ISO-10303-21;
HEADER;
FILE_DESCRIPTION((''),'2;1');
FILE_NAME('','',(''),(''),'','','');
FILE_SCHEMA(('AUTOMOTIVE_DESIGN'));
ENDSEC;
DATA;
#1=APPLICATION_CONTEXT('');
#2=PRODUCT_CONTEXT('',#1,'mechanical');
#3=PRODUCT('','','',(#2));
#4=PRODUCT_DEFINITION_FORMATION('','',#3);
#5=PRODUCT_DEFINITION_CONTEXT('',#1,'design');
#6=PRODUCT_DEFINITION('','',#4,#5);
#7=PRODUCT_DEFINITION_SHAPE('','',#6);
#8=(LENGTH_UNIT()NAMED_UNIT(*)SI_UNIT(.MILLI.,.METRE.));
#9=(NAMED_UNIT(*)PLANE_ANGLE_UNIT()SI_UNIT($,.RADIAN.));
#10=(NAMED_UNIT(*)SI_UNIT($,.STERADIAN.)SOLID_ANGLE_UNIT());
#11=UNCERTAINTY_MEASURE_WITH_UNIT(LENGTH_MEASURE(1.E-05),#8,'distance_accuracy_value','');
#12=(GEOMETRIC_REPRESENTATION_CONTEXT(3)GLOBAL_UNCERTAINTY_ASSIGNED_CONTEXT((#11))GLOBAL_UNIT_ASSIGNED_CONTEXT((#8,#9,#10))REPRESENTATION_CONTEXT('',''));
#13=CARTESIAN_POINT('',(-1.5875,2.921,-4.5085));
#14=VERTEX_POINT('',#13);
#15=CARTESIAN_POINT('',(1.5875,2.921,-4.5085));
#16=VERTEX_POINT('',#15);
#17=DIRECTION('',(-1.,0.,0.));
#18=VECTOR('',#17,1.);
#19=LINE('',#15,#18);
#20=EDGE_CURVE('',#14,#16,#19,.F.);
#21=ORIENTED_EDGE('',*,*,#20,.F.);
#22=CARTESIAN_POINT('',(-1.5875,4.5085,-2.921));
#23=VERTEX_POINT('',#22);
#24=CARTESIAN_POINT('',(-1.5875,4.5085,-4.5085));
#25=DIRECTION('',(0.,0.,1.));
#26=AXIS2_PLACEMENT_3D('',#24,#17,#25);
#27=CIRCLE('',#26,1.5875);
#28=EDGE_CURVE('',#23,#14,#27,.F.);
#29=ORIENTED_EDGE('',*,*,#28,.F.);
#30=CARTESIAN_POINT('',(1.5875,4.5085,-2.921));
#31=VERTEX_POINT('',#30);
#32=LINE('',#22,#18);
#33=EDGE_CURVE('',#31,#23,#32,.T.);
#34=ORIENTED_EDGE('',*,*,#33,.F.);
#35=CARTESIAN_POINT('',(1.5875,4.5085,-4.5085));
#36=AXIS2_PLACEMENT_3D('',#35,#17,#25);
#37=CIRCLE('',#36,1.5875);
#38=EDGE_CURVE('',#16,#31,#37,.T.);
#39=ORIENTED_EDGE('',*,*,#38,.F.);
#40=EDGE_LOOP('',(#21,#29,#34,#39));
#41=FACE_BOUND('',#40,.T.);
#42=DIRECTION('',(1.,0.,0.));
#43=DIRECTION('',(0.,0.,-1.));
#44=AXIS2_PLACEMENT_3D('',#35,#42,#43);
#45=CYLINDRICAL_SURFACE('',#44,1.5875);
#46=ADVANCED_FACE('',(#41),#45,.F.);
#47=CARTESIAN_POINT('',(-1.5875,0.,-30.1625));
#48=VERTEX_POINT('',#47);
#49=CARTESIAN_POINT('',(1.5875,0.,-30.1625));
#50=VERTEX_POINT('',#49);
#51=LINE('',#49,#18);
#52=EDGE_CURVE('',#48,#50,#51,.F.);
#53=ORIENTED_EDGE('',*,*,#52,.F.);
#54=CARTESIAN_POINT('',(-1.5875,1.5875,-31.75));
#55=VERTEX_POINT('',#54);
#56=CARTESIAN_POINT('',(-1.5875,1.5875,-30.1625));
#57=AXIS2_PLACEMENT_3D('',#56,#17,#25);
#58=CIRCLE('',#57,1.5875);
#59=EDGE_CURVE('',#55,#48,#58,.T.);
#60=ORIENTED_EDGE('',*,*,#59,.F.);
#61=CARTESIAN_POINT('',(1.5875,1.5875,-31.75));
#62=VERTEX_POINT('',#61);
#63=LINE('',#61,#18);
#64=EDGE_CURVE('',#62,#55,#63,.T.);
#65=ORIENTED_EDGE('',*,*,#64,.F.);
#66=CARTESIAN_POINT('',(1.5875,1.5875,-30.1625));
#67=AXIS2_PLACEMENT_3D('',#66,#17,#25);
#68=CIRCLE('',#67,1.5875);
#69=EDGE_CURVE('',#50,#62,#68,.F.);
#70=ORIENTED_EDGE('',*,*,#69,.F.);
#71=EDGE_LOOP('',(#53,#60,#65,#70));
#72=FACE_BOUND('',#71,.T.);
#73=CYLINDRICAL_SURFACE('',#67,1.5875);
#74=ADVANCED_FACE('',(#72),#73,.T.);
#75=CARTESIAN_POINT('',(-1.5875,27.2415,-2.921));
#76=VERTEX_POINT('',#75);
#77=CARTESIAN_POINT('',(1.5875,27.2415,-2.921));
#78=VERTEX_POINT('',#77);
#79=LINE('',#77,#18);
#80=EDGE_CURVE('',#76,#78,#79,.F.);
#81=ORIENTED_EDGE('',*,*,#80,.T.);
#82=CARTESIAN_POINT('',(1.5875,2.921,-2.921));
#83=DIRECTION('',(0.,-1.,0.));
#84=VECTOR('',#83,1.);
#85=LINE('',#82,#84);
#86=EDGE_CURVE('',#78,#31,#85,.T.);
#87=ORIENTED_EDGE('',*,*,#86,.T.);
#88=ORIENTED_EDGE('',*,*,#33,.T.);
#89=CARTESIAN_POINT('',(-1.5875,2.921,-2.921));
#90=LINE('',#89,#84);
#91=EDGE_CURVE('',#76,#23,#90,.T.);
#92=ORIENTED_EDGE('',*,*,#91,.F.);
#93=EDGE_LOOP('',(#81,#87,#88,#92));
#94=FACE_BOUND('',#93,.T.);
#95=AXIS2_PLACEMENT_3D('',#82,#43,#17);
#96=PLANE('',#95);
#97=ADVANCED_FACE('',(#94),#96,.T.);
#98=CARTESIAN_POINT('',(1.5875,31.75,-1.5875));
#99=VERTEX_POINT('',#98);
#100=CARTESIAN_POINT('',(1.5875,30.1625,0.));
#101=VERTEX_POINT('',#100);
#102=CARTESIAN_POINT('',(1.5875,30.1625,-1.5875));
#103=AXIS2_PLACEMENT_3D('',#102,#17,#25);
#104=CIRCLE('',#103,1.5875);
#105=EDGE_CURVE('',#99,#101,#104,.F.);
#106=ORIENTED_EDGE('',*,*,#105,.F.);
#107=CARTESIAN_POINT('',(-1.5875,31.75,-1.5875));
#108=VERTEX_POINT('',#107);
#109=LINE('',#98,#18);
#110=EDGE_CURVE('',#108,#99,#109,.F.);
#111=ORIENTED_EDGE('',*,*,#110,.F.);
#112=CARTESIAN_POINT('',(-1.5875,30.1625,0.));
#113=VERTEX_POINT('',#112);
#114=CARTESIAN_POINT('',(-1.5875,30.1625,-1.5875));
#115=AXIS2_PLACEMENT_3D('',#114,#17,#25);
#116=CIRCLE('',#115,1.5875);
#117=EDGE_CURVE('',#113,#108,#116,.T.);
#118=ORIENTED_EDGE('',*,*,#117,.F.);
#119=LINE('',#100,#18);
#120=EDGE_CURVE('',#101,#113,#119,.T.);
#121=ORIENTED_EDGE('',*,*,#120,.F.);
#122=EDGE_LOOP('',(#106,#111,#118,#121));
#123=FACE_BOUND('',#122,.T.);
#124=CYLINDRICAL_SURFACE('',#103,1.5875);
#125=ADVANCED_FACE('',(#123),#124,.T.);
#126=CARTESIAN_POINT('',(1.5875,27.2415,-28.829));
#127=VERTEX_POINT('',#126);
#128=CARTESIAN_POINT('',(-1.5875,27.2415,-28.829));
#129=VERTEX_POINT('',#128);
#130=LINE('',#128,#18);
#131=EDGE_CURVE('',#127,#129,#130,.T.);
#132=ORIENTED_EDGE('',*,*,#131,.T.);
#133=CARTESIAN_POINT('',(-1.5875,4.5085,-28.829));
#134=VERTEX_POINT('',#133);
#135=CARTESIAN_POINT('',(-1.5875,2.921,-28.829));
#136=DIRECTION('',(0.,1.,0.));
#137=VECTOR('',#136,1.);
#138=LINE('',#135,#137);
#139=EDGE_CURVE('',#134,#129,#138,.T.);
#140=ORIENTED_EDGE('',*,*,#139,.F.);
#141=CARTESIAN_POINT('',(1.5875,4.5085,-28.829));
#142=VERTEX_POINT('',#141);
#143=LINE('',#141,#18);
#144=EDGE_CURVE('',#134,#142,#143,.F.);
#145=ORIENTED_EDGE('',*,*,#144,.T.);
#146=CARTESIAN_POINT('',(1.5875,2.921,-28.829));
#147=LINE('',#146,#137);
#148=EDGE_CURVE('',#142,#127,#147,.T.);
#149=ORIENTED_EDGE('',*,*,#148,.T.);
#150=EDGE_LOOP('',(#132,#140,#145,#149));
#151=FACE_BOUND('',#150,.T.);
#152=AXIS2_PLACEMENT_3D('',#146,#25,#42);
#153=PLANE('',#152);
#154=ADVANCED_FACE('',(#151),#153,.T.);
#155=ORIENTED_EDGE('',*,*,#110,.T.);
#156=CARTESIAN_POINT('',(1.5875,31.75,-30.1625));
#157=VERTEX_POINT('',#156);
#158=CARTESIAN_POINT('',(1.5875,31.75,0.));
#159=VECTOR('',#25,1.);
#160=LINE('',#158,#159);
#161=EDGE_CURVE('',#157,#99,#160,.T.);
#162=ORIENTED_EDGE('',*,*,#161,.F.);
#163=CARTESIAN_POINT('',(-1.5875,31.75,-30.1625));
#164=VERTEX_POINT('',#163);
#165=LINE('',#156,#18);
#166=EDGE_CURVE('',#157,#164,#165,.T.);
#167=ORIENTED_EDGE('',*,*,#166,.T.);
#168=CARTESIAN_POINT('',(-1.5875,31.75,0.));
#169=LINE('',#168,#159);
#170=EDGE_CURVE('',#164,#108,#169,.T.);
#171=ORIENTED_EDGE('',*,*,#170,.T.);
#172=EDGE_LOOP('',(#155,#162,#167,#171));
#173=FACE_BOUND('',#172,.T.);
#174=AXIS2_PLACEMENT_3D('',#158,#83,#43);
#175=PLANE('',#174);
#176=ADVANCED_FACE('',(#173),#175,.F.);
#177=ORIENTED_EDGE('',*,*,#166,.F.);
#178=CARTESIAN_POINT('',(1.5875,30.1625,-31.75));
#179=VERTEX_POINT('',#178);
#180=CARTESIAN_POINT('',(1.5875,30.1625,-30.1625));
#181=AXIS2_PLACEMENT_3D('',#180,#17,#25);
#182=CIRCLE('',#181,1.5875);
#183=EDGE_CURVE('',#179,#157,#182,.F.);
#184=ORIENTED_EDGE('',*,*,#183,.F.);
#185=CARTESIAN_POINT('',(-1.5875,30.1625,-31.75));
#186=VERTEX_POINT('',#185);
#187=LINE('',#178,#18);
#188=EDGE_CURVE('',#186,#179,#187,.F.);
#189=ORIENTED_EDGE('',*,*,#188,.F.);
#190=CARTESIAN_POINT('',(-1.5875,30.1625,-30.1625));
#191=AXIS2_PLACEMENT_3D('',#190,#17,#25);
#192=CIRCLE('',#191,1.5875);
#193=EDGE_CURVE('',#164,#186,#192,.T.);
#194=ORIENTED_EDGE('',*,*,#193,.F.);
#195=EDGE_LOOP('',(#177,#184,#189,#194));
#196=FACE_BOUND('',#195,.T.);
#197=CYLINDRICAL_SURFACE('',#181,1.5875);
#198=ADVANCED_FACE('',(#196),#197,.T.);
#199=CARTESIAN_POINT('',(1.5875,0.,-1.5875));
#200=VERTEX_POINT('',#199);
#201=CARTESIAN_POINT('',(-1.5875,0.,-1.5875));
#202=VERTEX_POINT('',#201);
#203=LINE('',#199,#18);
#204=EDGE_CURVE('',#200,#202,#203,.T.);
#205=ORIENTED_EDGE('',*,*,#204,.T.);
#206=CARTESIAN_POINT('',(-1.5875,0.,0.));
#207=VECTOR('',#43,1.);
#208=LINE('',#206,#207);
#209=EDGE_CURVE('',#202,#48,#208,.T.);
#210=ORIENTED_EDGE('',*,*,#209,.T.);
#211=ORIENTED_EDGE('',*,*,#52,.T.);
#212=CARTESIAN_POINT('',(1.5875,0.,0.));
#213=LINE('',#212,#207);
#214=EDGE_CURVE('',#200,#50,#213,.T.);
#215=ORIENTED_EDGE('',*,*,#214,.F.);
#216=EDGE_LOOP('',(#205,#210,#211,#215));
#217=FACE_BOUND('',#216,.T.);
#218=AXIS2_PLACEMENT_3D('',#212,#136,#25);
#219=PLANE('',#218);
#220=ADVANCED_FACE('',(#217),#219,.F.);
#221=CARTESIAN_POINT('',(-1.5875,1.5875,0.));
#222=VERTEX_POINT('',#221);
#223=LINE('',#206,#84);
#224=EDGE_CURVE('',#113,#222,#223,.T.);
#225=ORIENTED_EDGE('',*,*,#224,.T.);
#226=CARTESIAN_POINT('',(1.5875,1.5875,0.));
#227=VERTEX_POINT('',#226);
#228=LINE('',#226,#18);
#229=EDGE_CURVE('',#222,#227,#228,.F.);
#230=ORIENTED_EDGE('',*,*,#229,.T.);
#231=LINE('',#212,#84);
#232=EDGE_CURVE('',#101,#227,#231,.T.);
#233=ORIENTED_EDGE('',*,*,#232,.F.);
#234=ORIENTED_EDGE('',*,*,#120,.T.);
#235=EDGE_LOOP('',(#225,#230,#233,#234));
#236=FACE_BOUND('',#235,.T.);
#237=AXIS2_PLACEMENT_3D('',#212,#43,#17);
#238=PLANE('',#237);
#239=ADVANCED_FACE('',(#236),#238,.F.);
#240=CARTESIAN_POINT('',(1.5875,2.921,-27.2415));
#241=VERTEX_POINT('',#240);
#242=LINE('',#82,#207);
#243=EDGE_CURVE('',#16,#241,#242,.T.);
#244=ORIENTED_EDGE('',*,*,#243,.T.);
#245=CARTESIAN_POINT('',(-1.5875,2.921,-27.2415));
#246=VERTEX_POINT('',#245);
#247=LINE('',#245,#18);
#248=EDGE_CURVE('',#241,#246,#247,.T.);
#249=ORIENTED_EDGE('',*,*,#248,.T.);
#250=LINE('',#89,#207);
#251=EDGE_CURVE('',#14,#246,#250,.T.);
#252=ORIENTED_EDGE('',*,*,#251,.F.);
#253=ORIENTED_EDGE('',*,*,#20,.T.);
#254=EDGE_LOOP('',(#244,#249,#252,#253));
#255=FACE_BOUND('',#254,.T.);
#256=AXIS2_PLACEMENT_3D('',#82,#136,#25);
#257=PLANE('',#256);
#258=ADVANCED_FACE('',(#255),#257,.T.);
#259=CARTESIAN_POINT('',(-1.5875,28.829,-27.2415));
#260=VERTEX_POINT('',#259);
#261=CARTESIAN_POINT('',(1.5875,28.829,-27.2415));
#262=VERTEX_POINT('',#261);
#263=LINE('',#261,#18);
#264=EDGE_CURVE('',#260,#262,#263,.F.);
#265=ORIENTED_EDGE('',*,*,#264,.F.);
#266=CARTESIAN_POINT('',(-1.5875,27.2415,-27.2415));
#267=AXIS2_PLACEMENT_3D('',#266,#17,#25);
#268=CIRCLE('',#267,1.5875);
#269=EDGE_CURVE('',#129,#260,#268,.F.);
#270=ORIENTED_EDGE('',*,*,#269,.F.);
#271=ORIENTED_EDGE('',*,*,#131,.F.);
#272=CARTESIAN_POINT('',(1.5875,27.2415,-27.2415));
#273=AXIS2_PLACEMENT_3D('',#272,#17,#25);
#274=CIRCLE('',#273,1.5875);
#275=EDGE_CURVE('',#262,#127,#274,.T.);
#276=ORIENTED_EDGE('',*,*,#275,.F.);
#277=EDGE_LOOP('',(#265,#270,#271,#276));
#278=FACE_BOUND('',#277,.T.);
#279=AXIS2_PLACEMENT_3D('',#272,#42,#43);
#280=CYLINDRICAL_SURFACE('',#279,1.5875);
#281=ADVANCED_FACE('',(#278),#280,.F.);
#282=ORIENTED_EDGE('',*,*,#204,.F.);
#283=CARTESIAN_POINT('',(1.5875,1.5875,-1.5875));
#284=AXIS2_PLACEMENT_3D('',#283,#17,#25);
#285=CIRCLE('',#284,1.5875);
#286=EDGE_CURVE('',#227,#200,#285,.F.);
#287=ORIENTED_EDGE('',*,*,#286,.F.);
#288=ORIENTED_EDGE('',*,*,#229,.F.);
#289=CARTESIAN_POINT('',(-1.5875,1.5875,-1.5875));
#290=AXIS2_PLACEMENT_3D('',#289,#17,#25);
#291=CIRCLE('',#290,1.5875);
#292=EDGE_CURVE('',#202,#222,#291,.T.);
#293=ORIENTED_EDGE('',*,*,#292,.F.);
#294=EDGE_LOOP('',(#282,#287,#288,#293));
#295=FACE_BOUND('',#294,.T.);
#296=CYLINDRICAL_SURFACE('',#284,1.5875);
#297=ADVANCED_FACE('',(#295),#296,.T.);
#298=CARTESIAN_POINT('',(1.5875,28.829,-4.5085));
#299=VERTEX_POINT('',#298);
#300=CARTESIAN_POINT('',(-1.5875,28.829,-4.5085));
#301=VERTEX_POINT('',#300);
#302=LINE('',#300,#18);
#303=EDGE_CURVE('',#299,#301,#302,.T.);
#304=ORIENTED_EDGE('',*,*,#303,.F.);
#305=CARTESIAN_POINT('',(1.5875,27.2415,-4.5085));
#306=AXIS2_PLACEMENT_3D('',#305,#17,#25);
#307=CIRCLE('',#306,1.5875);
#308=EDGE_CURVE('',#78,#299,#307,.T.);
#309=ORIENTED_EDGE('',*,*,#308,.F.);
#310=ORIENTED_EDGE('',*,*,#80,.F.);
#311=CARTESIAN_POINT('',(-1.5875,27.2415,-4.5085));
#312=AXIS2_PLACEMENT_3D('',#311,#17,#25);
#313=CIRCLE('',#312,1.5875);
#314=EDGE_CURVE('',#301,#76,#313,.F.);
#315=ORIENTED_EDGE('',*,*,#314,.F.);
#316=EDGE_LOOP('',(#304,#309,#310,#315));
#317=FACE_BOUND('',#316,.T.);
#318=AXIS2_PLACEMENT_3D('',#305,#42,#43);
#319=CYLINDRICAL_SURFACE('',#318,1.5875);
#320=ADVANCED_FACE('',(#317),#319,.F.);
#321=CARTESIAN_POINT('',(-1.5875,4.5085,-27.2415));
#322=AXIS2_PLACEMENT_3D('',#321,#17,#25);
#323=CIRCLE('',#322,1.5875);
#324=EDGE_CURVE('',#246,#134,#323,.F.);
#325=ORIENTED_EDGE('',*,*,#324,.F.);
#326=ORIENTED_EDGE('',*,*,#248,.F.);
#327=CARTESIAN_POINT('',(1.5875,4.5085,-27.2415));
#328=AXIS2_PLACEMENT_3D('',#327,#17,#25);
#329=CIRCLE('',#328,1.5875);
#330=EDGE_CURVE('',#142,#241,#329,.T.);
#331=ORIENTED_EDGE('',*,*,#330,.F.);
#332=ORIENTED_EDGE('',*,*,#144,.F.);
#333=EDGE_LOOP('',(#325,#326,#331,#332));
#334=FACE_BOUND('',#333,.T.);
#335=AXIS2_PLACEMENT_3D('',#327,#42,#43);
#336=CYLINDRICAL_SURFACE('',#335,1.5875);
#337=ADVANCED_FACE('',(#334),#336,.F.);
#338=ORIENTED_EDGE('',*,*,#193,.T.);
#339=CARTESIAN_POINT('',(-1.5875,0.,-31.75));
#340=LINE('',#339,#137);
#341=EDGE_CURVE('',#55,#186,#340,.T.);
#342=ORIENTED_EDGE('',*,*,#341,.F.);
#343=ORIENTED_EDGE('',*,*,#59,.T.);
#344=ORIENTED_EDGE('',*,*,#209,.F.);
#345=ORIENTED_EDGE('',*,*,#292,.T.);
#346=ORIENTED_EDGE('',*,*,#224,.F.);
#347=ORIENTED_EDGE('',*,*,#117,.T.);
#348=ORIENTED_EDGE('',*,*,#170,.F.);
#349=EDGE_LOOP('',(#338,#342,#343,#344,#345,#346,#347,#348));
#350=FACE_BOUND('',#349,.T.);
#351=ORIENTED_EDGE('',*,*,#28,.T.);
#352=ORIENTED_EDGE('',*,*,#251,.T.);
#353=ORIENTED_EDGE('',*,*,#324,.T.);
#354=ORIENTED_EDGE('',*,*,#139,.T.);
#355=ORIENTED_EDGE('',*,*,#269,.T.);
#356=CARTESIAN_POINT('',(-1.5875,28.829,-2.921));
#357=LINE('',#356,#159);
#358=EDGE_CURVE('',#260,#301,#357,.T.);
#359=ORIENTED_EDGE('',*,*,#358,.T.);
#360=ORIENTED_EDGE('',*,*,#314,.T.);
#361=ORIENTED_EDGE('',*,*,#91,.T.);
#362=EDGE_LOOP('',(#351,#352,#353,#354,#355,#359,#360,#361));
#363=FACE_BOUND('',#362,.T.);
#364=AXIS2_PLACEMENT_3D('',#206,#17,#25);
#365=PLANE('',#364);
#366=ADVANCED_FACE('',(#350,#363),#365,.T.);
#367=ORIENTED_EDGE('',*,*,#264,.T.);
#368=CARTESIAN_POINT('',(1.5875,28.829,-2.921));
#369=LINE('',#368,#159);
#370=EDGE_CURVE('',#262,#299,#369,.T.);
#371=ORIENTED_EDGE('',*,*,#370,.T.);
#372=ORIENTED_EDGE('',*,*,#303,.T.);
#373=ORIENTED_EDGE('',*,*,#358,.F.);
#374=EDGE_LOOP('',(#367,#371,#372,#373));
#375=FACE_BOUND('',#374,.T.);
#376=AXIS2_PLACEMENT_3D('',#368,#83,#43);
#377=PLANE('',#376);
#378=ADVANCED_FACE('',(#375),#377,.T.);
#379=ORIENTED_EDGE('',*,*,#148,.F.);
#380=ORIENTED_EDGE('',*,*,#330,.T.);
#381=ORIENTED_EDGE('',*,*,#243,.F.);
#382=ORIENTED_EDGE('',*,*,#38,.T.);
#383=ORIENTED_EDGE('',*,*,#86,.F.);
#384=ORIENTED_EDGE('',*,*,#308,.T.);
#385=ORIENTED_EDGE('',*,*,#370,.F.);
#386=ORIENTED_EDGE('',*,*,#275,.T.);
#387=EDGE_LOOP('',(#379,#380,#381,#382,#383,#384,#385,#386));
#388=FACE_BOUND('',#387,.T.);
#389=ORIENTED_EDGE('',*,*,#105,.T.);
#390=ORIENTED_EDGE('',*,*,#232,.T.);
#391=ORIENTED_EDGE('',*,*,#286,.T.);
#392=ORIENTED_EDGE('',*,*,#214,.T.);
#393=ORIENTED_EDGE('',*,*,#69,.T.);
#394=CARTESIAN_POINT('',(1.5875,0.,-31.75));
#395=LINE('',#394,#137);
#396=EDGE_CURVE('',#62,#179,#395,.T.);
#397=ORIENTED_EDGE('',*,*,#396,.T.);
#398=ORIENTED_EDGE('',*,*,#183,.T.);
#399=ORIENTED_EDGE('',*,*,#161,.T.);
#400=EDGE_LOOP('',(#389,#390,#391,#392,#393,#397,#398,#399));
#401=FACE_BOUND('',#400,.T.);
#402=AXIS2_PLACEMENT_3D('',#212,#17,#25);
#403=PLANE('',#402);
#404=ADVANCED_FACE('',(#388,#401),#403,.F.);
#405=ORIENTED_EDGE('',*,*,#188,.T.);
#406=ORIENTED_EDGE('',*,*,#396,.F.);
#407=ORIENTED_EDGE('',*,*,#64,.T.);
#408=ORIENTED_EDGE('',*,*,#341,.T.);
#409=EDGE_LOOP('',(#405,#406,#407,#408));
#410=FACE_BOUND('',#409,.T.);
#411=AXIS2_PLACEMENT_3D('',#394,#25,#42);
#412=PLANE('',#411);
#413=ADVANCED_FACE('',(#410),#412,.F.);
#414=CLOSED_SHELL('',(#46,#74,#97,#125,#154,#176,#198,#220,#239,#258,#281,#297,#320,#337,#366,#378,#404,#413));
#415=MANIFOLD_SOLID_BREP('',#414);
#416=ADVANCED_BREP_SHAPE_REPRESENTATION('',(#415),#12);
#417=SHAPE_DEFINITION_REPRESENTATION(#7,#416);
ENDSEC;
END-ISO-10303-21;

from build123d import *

# Parameters (mm, degrees)
SKETCH1_W           = 31.75
SKETCH1_H           = 31.75
SKETCH1_W_2         = 25.908
SKETCH1_H_2         = 25.908
BOSS_EXTRUDE1_DEPTH = 1.5875
FILLET1_R           = 1.5875


with BuildPart() as part:
    # Sketch1 → Boss-Extrude1 (new, symmetric)
    with BuildSketch(Plane(origin=(0, 0, 0), x_dir=(0, 0, -1), z_dir=(1, 0, 0))):
        with Locations((15.875, 15.875)):
            Rectangle(SKETCH1_W, SKETCH1_H)
        with Locations((15.875, 15.875)):
            Rectangle(SKETCH1_W_2, SKETCH1_H_2, mode=Mode.SUBTRACT)
    extrude(amount=BOSS_EXTRUDE1_DEPTH, both=True)

    # Fillet1
    fillet1_edges = [part.edges().sort_by_distance(p)[0] for p in [
        (0, 2.921, -2.921),
        (0, 2.921, -28.829),
        (0, 28.829, -28.829),
        (0, 28.829, -2.921),
        (0, 31.75, 0),
        (0, 31.75, -31.75),
        (0, 0, -31.75),
        (0, 0, 0),
    ]]
    fillet(fillet1_edges, radius=FILLET1_R)


solid = part.part
